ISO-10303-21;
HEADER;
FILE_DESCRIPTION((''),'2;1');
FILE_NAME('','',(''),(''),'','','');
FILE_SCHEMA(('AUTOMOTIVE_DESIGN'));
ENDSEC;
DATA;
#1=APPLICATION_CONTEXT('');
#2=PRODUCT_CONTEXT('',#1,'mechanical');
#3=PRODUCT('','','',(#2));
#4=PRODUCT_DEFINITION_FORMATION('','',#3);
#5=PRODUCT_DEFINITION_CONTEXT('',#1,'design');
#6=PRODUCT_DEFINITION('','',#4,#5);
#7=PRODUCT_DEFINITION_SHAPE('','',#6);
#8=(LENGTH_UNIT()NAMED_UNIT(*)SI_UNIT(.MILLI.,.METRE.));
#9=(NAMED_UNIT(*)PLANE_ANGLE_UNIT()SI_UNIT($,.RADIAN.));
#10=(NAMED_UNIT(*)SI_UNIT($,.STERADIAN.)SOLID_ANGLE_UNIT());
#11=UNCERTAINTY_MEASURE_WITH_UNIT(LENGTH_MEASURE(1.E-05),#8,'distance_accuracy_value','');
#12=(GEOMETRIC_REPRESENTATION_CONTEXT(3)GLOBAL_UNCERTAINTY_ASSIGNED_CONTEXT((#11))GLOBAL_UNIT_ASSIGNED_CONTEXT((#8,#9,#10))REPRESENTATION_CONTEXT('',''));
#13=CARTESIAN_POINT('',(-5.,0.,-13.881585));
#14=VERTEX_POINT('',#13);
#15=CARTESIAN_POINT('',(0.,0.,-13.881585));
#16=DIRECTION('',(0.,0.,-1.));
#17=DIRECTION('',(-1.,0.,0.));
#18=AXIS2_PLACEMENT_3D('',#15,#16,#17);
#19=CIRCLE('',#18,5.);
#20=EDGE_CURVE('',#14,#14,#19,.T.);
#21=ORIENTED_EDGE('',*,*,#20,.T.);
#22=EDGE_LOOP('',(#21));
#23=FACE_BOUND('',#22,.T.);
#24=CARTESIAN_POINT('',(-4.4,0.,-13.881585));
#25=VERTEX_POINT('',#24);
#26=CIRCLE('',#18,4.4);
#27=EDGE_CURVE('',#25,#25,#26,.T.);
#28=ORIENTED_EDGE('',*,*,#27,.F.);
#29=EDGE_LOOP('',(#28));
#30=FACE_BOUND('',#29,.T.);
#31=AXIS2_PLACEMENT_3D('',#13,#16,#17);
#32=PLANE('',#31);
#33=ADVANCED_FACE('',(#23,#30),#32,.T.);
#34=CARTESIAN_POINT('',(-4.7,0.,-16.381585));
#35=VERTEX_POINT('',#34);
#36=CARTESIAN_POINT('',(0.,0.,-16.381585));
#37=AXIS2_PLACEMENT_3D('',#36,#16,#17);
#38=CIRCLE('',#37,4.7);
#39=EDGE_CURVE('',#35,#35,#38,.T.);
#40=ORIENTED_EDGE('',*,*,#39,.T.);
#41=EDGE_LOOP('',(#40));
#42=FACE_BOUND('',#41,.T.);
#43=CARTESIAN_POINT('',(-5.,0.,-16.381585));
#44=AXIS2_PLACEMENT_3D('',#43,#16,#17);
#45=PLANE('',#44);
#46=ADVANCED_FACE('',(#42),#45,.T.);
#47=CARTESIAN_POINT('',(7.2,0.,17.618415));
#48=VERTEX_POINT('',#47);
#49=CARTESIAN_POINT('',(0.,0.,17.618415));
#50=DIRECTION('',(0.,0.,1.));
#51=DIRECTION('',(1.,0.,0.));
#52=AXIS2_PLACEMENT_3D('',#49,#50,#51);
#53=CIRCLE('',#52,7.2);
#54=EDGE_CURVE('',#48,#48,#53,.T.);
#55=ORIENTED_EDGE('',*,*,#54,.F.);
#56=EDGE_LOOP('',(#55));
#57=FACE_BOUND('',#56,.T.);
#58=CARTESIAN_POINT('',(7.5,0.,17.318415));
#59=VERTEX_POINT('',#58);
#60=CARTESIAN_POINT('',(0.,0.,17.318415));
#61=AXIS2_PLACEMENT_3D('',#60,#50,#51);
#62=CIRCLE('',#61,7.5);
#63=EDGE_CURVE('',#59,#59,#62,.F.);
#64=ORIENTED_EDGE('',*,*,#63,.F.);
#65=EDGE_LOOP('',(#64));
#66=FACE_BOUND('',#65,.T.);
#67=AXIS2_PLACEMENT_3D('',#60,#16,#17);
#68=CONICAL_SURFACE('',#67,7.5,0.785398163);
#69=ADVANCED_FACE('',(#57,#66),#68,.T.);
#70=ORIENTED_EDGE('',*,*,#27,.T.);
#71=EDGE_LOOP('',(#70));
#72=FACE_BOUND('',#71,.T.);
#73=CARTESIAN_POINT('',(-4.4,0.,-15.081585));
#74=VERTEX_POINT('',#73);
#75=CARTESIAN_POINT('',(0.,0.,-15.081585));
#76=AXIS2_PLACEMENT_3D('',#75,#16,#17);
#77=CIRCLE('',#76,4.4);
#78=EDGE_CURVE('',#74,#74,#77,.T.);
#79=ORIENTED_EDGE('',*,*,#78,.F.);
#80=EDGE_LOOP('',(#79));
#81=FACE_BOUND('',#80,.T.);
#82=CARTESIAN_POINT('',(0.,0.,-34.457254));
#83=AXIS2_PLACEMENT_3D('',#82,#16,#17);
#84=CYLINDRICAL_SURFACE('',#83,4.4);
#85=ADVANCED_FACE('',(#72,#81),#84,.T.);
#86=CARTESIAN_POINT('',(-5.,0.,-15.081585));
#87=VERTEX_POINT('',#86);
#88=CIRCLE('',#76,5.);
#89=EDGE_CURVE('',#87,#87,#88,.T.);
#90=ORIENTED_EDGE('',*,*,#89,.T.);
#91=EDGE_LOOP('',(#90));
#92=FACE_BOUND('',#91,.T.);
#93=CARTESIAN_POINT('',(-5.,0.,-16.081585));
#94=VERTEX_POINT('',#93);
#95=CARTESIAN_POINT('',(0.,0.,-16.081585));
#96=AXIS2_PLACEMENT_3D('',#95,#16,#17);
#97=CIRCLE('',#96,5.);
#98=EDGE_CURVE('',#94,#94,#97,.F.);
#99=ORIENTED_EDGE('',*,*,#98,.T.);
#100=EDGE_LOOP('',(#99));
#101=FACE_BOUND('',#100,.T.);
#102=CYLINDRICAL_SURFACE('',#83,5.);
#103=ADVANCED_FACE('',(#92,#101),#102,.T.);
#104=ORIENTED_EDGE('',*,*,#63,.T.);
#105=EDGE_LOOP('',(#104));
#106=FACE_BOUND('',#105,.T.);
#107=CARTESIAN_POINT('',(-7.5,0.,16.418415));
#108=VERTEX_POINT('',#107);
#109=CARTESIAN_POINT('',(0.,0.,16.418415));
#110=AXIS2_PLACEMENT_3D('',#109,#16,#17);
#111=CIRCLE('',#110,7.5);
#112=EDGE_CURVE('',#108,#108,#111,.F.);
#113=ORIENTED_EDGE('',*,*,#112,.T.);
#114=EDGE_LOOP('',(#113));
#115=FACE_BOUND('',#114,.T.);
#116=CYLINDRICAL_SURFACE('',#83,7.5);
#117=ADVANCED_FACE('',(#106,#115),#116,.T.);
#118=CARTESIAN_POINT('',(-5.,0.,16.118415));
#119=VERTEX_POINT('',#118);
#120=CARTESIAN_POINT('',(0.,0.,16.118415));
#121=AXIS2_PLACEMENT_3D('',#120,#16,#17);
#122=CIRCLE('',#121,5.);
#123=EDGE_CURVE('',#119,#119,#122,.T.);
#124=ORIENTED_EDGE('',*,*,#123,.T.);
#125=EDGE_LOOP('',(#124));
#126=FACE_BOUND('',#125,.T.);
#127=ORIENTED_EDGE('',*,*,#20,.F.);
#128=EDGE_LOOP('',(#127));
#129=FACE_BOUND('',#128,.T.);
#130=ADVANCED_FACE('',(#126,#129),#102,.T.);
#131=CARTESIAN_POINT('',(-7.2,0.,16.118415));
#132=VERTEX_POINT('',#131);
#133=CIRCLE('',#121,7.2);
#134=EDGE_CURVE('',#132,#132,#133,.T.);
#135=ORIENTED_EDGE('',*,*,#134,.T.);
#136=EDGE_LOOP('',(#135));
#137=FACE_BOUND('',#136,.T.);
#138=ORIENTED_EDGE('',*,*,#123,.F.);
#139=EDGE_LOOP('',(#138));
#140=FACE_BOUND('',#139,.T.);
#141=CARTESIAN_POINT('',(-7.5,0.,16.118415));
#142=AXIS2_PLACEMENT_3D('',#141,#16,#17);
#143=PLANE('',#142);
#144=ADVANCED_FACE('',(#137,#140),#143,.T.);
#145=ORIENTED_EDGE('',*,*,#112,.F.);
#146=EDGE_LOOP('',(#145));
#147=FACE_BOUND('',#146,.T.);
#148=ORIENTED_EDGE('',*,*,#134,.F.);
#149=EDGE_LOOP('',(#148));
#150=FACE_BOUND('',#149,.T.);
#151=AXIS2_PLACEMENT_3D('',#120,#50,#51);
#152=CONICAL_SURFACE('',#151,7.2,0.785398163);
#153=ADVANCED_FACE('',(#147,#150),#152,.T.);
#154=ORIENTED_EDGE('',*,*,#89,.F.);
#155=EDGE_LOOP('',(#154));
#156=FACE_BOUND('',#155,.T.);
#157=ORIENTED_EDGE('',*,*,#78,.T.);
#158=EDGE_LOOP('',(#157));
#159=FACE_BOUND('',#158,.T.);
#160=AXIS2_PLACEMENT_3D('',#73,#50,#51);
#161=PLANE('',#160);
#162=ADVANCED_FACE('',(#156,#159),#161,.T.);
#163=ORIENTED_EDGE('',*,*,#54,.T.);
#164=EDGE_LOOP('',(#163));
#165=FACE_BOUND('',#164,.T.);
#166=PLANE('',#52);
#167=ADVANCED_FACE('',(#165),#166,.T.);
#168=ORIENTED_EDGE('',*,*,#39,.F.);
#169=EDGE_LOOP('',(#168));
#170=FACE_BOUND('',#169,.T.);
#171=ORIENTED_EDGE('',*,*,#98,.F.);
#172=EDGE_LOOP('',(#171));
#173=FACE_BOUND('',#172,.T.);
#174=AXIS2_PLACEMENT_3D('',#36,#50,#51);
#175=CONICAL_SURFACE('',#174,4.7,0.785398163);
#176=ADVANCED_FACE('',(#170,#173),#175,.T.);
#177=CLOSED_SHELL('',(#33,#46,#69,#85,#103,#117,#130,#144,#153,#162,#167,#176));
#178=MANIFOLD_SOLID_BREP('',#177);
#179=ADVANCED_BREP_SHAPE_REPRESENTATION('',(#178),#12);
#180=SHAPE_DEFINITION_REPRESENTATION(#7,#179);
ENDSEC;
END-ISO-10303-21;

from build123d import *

# Parameters (mm, degrees)
CHAMFER1_SIZE = 0.3


with BuildPart() as part:
    # Sketch1 → Revolve1 (revolve)
    with BuildSketch(Plane(origin=(0, 0, 0), x_dir=(1, 0, 0), z_dir=(0, 1, 0))):
        Polygon((0, -17.618415179), (-7.5, -17.618415179), (-7.5, -16.118415179), (-5, -16.118415179), (-5, 13.881584821), (-4.4, 13.881584821), (-4.4, 15.081584821), (-5, 15.081584821), (-5, 16.381584821), (0, 16.381584821), align=None)
    revolve(axis=Axis((0, 0, -34.457254464), (0, 0, 1)))

    # Chamfer1
    chamfer1_edges = [part.edges().sort_by_distance(p)[0] for p in [
        (5, 0, -16.381584821),
        (7.5, 0, 16.118415179),
        (7.5, 0, 17.618415179),
    ]]
    chamfer(chamfer1_edges, length=CHAMFER1_SIZE)


solid = part.part
